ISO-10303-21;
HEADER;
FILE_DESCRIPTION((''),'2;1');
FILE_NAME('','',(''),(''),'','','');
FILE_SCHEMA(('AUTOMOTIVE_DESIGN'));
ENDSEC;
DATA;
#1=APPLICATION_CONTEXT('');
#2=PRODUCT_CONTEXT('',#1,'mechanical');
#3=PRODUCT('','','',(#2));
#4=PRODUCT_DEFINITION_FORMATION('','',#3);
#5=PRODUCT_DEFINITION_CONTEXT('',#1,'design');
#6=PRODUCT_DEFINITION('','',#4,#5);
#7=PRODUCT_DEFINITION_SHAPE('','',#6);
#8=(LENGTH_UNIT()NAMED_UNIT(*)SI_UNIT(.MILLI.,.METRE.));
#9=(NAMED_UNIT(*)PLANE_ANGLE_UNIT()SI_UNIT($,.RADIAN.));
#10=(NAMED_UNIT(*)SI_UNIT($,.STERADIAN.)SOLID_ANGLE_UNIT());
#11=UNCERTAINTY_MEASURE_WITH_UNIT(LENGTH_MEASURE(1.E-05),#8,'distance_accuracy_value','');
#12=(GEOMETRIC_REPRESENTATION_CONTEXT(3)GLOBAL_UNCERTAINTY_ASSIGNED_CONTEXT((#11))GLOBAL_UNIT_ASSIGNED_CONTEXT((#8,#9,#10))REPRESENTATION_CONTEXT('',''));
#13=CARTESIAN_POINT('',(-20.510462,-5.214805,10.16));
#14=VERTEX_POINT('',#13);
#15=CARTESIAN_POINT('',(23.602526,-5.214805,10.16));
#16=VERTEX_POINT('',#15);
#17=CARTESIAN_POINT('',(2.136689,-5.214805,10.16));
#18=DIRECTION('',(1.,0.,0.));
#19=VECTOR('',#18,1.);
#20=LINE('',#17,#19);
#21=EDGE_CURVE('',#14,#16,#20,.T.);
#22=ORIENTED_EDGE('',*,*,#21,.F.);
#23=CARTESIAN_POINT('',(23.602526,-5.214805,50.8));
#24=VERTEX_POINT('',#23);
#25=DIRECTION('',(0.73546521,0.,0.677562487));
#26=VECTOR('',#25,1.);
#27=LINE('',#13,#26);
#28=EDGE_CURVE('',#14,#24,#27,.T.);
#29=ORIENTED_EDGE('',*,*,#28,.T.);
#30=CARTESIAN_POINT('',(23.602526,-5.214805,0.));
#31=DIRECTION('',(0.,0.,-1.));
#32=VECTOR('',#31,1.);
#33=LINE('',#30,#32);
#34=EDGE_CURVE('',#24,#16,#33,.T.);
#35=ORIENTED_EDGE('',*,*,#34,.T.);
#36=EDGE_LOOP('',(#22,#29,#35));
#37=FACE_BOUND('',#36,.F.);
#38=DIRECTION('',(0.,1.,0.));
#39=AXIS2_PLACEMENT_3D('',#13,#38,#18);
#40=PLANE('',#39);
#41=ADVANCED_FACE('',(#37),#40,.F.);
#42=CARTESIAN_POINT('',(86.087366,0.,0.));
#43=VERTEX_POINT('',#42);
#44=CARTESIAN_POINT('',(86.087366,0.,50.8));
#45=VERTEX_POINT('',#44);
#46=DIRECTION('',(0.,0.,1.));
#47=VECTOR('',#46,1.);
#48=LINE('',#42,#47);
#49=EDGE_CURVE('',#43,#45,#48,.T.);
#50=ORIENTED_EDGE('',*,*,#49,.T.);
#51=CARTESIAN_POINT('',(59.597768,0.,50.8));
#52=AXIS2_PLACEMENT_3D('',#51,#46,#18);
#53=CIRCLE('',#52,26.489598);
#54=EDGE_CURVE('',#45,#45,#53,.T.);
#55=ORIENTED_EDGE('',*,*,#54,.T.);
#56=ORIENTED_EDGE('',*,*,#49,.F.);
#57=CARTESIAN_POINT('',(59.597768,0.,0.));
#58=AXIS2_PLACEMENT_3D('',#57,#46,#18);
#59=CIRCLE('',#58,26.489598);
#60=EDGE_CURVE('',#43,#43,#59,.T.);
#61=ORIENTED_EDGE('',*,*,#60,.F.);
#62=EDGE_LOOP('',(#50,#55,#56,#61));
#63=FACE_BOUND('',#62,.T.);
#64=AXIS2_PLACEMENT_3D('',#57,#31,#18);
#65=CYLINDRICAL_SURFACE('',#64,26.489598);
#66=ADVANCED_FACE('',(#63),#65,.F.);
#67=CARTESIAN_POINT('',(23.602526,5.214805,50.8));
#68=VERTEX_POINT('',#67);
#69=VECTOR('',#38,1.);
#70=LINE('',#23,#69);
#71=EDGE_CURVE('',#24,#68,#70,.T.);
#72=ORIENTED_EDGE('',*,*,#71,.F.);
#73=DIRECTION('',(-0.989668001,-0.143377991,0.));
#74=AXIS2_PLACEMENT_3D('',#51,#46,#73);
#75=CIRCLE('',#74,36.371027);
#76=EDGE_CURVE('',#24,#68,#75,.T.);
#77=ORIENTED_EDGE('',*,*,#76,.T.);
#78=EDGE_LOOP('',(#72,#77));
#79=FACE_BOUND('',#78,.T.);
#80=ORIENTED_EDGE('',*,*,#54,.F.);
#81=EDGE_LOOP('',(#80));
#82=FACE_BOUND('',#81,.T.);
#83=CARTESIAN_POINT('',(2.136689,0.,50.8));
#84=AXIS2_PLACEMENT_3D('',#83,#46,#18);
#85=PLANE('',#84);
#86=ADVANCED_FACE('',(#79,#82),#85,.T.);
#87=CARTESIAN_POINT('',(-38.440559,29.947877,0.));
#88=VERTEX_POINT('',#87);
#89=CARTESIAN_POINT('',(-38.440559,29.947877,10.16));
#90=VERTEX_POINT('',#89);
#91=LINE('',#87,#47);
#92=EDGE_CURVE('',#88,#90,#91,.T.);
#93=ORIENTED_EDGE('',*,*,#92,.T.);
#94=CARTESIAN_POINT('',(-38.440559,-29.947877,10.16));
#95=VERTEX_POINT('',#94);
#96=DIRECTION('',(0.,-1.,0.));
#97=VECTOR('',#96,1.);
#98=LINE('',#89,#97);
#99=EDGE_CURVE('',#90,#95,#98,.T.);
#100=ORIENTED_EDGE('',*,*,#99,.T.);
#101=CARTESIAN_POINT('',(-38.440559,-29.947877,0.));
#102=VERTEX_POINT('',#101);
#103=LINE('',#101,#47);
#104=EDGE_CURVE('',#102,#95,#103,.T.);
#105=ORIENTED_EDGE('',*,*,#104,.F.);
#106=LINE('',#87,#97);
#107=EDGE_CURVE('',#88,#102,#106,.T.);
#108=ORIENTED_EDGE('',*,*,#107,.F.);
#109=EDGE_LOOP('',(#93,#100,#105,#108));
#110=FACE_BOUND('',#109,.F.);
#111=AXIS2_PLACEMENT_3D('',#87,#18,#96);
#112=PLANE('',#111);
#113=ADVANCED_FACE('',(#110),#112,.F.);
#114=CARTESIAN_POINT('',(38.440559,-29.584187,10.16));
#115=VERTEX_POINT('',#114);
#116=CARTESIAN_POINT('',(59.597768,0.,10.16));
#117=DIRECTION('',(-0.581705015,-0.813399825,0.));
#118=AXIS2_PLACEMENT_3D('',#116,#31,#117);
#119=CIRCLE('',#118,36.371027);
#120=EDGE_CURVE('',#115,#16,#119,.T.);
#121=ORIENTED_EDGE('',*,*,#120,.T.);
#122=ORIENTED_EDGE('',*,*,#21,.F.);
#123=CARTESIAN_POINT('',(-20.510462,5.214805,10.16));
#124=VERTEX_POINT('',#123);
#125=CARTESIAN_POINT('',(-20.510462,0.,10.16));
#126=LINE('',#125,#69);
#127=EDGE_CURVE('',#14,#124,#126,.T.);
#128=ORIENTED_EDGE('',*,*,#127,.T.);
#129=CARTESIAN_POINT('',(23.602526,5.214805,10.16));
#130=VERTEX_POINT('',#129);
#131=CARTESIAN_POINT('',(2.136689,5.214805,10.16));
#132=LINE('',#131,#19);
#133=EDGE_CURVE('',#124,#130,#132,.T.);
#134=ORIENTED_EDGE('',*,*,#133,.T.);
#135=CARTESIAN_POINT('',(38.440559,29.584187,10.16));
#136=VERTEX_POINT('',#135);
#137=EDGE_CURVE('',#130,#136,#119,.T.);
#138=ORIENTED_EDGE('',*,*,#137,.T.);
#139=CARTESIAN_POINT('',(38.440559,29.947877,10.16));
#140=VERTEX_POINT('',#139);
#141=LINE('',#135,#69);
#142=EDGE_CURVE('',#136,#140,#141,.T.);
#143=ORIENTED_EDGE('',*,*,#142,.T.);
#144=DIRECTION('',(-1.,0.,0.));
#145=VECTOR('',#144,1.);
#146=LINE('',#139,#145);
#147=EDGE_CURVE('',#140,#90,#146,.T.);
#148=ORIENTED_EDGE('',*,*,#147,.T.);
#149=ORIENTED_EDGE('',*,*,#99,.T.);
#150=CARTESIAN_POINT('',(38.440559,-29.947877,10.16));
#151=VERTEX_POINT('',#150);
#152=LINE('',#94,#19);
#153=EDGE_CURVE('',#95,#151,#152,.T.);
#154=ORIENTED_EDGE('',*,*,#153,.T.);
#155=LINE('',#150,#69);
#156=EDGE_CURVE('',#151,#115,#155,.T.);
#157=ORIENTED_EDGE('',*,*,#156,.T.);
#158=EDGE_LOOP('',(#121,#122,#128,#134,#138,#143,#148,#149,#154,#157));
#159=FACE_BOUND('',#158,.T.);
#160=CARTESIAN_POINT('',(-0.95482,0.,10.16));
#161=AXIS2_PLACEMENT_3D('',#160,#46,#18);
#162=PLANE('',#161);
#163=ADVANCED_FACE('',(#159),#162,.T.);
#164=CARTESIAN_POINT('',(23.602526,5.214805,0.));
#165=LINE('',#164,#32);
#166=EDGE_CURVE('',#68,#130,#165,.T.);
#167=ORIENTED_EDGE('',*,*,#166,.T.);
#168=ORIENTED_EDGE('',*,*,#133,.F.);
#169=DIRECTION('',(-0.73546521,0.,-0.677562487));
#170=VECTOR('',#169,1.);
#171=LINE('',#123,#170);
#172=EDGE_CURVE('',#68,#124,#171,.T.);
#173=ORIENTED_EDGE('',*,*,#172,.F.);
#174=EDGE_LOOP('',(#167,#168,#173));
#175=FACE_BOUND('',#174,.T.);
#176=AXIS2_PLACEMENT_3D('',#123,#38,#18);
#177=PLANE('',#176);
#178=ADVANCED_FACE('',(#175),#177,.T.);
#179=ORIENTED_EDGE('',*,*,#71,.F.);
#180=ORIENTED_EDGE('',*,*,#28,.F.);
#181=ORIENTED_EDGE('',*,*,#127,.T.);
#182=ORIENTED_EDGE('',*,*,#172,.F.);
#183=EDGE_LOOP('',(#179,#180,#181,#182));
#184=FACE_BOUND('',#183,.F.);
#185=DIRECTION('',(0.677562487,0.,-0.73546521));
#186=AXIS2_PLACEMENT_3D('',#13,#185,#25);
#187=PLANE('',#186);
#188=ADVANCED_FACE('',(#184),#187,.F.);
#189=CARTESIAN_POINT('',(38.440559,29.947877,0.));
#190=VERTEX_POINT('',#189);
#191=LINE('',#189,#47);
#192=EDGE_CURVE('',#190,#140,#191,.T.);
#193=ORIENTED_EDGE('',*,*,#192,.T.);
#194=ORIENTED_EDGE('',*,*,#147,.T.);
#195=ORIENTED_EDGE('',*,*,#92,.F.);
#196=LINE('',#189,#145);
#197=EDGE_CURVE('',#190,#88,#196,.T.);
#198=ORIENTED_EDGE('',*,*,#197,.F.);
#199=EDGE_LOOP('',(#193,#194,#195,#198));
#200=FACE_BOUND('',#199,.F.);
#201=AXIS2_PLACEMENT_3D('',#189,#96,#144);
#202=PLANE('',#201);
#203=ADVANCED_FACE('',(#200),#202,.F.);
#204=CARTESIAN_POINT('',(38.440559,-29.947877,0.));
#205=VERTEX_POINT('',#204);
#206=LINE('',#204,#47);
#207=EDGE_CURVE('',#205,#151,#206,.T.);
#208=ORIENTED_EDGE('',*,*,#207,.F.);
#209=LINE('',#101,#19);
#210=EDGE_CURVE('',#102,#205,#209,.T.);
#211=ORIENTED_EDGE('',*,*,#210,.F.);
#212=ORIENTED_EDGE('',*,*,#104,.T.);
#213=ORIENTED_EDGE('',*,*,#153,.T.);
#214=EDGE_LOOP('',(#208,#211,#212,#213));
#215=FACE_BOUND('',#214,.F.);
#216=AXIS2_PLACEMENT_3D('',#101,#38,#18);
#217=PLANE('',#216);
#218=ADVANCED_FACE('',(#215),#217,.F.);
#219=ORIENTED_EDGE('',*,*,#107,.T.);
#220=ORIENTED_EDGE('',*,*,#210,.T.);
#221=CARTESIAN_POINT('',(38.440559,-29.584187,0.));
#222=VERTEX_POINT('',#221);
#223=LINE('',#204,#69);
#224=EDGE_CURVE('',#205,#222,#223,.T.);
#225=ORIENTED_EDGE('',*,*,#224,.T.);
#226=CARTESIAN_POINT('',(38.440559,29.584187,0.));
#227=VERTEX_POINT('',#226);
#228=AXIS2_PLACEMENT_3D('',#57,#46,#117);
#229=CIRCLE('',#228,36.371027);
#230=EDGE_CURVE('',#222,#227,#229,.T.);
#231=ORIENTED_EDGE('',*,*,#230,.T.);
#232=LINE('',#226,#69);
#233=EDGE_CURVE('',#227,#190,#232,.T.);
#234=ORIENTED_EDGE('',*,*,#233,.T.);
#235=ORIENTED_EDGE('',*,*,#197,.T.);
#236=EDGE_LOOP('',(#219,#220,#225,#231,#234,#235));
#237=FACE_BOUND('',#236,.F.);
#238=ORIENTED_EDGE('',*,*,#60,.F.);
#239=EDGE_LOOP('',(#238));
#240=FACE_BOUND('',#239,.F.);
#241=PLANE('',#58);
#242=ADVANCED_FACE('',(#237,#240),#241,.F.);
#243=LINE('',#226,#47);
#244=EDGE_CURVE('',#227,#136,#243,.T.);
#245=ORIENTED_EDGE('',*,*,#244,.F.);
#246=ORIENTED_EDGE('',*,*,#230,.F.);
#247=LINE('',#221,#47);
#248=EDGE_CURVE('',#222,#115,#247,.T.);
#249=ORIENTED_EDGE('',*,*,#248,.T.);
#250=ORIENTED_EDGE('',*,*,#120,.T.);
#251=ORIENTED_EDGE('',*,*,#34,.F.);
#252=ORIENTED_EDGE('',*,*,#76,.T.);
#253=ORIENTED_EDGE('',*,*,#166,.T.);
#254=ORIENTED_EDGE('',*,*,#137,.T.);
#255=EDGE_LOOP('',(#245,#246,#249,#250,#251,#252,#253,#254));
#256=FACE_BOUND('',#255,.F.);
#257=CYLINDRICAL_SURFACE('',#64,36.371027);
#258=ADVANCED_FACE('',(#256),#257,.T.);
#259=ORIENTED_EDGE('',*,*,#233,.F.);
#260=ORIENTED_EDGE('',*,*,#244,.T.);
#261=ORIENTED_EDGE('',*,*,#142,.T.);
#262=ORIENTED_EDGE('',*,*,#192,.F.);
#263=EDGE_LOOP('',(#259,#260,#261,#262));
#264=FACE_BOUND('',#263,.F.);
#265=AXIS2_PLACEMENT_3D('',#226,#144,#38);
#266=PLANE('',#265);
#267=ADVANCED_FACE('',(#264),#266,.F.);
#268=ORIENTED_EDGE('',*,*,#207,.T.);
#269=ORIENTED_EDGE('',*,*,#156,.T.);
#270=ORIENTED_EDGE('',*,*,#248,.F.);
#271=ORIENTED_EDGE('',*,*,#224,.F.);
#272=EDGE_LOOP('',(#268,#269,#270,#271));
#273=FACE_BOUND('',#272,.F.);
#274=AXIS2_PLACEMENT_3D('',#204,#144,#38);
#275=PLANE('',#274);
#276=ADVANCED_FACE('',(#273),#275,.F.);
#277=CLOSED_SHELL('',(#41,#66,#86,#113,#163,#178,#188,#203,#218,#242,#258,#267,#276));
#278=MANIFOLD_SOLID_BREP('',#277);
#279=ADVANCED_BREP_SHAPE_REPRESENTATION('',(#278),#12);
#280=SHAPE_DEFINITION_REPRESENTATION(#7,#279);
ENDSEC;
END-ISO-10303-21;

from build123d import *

# Parameters (mm, degrees)
F1_DEPTH = 10.16
F0_R     = 26.4895980544
F2_DEPTH = 50.8
F3_W     = 45.2943015844
F3_H     = 10.4296095669
F4_DEPTH = 40.64
F6_DEPTH = 41.5868318139


with BuildPart() as f1:
    # F0 (on Top) → F1 (new body)
    with BuildSketch(Plane.XY):
        with BuildLine():
            Line((-38.4405590594, 29.9478769302), (-38.4405590594, -29.9478769302))
            Line((-38.4405590594, -29.9478769302), (38.4405590594, -29.9478769302))
            Line((38.4405590594, -29.9478769302), (38.4405590594, -29.5841870222))
            ThreePointArc((38.4405590594, -29.5841870222), (23.2267408591, 0), (38.4405590594, 29.5841870222))
            Line((38.4405590594, 29.5841870222), (38.4405590594, 29.9478769302))
            Line((38.4405590594, 29.9478769302), (-38.4405590594, 29.9478769302))
        make_face()
    extrude(amount=F1_DEPTH)

    # F0 (on Top) → F2 (join)
    with BuildSketch(Plane.XY):
        with BuildLine():
            ThreePointArc((38.4405590594, 29.5841870222), (23.2267408591, 0), (38.4405590594, -29.5841870222))
            ThreePointArc((38.4405590594, -29.5841870222), (76.2312009837, -32.3447137991), (95.9687949199, 0))
            ThreePointArc((95.9687949199, 0), (76.2312009837, 32.3447137991), (38.4405590594, 29.5841870222))
        make_face()
        with Locations((59.5977678895, 0)):
            Circle(F0_R, mode=Mode.SUBTRACT)
    extrude(amount=F2_DEPTH)

    # F3 (on face) → F4 (join)
    with BuildSketch(Plane.XY.offset(10.16)):
        with Locations((2.1366886795, 0)):
            Rectangle(F3_W, F3_H)
    extrude(amount=F4_DEPTH)

    # F5 (on face) → F6 (cut, through all)
    with BuildSketch(Plane.XZ.offset(5.2148047835)):
        Polygon((-20.5104621127, 50.8), (-20.5104621127, 10.16), (23.6025262829, 50.8), align=None)
    extrude(amount=-F6_DEPTH, mode=Mode.SUBTRACT)


solid = f1.part
